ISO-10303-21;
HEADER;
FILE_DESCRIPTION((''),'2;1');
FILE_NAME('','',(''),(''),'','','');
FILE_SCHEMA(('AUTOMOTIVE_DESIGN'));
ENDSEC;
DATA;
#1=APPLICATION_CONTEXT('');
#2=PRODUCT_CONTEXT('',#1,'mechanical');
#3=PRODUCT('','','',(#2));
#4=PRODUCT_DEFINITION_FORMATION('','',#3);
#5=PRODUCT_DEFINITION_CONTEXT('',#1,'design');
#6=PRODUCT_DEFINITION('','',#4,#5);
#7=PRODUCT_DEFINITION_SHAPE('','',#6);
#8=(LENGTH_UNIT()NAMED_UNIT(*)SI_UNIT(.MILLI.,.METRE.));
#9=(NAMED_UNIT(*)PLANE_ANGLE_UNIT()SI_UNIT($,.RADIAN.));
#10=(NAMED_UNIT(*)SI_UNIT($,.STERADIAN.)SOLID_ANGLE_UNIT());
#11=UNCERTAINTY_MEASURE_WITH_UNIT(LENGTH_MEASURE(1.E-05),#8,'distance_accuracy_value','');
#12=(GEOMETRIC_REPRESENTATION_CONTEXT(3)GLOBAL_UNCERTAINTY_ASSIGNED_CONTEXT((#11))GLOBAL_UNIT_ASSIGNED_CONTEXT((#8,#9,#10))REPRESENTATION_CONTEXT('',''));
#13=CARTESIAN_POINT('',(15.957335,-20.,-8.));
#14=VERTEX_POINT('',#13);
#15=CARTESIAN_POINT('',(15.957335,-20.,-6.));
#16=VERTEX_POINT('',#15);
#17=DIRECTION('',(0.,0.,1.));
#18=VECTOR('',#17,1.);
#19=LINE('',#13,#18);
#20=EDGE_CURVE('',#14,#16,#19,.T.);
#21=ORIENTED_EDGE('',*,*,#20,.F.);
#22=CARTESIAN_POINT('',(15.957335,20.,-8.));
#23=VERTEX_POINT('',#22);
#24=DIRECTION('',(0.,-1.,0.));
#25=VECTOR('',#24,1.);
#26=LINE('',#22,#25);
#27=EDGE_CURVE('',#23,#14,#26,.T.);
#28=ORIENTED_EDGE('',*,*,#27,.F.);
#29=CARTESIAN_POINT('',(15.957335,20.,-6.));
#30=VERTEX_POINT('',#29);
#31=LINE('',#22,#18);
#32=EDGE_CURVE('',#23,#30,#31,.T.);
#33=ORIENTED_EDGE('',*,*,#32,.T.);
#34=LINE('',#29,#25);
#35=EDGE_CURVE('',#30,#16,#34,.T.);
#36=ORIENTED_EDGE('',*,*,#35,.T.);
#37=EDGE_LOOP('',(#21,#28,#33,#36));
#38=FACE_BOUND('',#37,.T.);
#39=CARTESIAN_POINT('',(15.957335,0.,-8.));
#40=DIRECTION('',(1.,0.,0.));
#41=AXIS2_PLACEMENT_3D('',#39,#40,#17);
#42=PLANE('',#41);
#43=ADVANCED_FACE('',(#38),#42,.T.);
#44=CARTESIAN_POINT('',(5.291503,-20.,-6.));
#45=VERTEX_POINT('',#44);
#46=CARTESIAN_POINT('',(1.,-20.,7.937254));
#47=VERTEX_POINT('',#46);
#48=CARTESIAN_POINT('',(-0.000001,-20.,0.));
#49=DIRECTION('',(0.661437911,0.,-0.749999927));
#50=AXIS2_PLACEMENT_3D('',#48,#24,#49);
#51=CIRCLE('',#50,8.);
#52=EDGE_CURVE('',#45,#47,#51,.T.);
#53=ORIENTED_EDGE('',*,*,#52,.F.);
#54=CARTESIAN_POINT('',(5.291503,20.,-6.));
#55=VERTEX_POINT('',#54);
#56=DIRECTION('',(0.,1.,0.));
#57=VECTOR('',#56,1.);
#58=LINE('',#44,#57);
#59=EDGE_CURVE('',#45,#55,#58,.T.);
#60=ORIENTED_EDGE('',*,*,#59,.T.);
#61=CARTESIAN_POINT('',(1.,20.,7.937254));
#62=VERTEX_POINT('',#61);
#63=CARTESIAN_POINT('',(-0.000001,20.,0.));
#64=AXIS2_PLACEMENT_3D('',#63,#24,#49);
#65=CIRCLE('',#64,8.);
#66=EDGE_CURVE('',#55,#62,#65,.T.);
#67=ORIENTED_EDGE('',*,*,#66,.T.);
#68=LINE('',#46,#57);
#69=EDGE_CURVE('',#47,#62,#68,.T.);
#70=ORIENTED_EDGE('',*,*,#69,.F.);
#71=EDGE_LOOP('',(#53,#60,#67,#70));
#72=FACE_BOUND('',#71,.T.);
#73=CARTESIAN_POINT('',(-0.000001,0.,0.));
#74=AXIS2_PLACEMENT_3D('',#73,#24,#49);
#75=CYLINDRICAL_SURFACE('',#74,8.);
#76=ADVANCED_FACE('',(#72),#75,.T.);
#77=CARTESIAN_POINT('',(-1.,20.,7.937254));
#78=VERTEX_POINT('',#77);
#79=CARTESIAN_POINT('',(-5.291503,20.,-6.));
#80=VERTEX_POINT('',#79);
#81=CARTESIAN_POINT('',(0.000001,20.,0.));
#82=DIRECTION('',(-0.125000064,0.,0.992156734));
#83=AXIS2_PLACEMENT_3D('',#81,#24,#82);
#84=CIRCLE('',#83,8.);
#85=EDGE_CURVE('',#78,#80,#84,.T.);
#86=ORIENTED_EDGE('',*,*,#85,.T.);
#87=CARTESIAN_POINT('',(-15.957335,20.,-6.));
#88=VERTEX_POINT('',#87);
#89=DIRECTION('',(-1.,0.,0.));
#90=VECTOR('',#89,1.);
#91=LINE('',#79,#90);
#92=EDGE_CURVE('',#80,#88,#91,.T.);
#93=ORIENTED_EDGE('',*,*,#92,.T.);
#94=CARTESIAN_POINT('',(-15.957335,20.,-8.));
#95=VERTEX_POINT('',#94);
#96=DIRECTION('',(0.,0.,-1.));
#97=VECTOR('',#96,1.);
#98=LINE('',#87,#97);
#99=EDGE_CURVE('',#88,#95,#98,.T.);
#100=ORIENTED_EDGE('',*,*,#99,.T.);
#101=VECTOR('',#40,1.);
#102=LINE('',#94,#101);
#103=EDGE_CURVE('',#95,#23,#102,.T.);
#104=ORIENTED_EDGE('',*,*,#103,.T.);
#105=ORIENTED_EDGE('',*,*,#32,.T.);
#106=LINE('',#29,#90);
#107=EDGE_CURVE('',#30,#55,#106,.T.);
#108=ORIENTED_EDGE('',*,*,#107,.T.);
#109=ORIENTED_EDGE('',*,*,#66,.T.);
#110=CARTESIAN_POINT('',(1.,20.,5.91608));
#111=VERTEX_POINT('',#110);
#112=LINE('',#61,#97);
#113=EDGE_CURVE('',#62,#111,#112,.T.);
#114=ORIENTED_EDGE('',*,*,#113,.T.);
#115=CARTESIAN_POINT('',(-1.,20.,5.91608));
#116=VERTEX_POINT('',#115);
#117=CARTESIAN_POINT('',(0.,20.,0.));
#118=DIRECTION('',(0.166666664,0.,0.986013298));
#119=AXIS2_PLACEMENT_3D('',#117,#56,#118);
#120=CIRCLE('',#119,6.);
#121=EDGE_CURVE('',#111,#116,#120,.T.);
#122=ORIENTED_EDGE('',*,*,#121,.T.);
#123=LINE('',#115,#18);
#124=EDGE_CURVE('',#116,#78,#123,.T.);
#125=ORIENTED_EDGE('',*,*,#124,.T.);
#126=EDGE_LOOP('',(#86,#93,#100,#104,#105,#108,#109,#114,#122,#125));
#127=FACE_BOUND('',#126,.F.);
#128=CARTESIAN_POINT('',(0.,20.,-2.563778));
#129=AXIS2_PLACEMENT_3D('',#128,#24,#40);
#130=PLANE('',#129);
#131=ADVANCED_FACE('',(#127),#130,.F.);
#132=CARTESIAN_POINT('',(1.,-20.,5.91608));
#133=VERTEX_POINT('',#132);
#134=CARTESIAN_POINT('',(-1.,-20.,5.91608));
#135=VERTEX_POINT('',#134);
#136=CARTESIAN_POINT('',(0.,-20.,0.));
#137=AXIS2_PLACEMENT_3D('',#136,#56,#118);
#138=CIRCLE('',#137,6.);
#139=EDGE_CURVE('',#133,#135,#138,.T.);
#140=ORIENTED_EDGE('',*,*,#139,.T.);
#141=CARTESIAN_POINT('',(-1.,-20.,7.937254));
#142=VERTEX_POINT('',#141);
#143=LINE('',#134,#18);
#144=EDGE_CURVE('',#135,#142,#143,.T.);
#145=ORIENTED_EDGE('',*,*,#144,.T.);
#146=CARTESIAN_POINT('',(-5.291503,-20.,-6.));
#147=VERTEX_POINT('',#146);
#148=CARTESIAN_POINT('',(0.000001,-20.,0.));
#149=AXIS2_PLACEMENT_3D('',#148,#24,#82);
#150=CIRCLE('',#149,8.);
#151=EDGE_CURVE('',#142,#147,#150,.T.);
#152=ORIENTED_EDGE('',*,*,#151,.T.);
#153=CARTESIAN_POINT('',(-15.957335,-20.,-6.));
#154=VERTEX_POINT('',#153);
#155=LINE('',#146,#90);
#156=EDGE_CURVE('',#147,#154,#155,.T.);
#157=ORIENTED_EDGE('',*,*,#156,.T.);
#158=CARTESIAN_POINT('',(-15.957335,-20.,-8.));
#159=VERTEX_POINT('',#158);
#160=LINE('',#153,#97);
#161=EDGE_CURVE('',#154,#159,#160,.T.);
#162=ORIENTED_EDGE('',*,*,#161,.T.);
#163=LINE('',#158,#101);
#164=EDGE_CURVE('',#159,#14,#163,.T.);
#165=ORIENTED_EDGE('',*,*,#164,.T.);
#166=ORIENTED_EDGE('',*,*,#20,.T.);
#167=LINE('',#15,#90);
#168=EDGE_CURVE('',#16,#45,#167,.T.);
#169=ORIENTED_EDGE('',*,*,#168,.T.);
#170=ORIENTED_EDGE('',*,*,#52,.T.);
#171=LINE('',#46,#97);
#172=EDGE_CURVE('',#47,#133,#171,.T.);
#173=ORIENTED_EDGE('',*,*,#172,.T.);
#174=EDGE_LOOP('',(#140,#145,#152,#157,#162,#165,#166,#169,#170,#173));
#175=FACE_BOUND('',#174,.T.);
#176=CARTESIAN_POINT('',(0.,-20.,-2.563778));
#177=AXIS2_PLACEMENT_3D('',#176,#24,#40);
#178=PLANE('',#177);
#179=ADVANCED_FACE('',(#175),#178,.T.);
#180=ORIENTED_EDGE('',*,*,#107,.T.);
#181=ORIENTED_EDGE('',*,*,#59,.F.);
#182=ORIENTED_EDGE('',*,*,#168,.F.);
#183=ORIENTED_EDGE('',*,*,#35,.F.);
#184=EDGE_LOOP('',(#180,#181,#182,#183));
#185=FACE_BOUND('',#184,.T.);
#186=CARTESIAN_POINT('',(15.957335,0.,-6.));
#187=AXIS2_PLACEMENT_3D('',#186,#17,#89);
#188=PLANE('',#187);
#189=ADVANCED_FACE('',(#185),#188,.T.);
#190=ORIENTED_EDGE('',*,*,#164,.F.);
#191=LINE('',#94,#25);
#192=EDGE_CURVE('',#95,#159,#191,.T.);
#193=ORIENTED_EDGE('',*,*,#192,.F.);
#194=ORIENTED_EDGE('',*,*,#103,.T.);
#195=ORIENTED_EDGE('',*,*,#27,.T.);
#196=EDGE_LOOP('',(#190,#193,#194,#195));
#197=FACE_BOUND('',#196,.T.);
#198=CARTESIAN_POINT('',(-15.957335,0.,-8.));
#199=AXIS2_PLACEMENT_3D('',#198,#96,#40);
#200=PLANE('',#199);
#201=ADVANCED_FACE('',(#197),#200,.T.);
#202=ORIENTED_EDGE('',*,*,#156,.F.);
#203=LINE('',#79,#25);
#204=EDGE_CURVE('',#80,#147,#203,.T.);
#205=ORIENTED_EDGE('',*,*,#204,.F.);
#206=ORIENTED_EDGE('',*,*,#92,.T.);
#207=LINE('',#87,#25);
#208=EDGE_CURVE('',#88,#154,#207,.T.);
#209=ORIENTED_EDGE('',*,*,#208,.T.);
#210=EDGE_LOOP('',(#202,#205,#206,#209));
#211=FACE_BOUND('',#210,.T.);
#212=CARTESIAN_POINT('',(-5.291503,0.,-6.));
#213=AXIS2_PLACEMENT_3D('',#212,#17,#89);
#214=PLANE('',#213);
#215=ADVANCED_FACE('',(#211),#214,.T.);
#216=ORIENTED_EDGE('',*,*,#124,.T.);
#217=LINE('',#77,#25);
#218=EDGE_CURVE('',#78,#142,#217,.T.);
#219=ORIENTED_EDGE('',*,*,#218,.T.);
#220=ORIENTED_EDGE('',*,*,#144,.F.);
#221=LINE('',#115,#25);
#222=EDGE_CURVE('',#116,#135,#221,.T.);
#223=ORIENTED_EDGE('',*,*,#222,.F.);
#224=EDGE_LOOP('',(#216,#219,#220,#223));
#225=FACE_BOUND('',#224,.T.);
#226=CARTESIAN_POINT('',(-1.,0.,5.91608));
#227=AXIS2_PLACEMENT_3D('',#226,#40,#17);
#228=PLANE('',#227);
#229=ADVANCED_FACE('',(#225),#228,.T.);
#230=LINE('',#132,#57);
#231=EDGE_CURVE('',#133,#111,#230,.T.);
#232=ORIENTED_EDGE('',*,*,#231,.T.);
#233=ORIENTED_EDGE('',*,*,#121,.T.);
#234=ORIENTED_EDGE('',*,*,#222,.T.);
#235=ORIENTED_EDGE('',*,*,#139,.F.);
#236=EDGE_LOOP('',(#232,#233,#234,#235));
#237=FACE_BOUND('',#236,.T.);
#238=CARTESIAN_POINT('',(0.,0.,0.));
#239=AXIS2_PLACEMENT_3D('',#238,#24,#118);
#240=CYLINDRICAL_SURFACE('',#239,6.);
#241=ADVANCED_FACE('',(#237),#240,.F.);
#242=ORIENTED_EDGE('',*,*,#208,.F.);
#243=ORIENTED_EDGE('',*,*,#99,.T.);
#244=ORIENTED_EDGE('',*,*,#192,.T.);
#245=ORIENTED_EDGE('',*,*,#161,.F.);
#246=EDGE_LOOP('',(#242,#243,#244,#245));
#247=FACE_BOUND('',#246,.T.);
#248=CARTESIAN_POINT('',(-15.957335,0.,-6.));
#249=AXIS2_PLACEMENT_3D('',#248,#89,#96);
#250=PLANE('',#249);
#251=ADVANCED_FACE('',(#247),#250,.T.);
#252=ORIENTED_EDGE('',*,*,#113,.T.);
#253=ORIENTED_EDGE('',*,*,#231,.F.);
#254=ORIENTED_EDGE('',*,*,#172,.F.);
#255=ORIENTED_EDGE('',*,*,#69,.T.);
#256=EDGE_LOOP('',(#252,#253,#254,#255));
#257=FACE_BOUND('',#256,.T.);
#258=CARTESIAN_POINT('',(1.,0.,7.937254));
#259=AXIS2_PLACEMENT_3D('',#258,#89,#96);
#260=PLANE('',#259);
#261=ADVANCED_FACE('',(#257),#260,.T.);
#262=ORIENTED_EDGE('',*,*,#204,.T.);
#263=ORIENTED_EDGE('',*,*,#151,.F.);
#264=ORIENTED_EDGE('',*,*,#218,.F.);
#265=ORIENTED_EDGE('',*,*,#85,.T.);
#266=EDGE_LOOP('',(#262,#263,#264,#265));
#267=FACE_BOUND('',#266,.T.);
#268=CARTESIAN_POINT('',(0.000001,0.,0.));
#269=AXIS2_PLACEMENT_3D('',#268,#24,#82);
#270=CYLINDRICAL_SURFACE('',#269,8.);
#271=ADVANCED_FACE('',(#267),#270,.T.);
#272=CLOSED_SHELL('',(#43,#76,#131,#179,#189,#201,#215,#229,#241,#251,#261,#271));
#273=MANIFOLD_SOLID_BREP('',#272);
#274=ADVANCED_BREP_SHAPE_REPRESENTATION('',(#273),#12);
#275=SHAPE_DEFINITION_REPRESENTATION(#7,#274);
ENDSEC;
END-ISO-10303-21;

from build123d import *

# Parameters (mm, degrees)
F1_DEPTH = 20


with BuildPart() as f1:
    # F0 (on Front) → F1 (new body, symmetric)
    with BuildSketch(Plane.XZ):
        with BuildLine():
            ThreePointArc((1, 5.91608), (0, -6), (-1, 5.91608))
            Line((-1, 5.91608), (-1, 7.937254))
            ThreePointArc((-1, 7.937254), (-7.645751, 2.354249), (-5.291503, -6))
            Line((-5.291503, -6), (-15.957335, -6))
            Line((-15.957335, -6), (-15.957335, -8))
            Line((-15.957335, -8), (0, -8))
            Line((0, -8), (15.957335, -8))
            Line((15.957335, -8), (15.957335, -6))
            Line((15.957335, -6), (5.291503, -6))
            ThreePointArc((5.291503, -6), (7.645751, 2.354249), (1, 7.937254))
            Line((1, 7.937254), (1, 5.91608))
        make_face()
    extrude(amount=F1_DEPTH, both=True)


solid = f1.part
